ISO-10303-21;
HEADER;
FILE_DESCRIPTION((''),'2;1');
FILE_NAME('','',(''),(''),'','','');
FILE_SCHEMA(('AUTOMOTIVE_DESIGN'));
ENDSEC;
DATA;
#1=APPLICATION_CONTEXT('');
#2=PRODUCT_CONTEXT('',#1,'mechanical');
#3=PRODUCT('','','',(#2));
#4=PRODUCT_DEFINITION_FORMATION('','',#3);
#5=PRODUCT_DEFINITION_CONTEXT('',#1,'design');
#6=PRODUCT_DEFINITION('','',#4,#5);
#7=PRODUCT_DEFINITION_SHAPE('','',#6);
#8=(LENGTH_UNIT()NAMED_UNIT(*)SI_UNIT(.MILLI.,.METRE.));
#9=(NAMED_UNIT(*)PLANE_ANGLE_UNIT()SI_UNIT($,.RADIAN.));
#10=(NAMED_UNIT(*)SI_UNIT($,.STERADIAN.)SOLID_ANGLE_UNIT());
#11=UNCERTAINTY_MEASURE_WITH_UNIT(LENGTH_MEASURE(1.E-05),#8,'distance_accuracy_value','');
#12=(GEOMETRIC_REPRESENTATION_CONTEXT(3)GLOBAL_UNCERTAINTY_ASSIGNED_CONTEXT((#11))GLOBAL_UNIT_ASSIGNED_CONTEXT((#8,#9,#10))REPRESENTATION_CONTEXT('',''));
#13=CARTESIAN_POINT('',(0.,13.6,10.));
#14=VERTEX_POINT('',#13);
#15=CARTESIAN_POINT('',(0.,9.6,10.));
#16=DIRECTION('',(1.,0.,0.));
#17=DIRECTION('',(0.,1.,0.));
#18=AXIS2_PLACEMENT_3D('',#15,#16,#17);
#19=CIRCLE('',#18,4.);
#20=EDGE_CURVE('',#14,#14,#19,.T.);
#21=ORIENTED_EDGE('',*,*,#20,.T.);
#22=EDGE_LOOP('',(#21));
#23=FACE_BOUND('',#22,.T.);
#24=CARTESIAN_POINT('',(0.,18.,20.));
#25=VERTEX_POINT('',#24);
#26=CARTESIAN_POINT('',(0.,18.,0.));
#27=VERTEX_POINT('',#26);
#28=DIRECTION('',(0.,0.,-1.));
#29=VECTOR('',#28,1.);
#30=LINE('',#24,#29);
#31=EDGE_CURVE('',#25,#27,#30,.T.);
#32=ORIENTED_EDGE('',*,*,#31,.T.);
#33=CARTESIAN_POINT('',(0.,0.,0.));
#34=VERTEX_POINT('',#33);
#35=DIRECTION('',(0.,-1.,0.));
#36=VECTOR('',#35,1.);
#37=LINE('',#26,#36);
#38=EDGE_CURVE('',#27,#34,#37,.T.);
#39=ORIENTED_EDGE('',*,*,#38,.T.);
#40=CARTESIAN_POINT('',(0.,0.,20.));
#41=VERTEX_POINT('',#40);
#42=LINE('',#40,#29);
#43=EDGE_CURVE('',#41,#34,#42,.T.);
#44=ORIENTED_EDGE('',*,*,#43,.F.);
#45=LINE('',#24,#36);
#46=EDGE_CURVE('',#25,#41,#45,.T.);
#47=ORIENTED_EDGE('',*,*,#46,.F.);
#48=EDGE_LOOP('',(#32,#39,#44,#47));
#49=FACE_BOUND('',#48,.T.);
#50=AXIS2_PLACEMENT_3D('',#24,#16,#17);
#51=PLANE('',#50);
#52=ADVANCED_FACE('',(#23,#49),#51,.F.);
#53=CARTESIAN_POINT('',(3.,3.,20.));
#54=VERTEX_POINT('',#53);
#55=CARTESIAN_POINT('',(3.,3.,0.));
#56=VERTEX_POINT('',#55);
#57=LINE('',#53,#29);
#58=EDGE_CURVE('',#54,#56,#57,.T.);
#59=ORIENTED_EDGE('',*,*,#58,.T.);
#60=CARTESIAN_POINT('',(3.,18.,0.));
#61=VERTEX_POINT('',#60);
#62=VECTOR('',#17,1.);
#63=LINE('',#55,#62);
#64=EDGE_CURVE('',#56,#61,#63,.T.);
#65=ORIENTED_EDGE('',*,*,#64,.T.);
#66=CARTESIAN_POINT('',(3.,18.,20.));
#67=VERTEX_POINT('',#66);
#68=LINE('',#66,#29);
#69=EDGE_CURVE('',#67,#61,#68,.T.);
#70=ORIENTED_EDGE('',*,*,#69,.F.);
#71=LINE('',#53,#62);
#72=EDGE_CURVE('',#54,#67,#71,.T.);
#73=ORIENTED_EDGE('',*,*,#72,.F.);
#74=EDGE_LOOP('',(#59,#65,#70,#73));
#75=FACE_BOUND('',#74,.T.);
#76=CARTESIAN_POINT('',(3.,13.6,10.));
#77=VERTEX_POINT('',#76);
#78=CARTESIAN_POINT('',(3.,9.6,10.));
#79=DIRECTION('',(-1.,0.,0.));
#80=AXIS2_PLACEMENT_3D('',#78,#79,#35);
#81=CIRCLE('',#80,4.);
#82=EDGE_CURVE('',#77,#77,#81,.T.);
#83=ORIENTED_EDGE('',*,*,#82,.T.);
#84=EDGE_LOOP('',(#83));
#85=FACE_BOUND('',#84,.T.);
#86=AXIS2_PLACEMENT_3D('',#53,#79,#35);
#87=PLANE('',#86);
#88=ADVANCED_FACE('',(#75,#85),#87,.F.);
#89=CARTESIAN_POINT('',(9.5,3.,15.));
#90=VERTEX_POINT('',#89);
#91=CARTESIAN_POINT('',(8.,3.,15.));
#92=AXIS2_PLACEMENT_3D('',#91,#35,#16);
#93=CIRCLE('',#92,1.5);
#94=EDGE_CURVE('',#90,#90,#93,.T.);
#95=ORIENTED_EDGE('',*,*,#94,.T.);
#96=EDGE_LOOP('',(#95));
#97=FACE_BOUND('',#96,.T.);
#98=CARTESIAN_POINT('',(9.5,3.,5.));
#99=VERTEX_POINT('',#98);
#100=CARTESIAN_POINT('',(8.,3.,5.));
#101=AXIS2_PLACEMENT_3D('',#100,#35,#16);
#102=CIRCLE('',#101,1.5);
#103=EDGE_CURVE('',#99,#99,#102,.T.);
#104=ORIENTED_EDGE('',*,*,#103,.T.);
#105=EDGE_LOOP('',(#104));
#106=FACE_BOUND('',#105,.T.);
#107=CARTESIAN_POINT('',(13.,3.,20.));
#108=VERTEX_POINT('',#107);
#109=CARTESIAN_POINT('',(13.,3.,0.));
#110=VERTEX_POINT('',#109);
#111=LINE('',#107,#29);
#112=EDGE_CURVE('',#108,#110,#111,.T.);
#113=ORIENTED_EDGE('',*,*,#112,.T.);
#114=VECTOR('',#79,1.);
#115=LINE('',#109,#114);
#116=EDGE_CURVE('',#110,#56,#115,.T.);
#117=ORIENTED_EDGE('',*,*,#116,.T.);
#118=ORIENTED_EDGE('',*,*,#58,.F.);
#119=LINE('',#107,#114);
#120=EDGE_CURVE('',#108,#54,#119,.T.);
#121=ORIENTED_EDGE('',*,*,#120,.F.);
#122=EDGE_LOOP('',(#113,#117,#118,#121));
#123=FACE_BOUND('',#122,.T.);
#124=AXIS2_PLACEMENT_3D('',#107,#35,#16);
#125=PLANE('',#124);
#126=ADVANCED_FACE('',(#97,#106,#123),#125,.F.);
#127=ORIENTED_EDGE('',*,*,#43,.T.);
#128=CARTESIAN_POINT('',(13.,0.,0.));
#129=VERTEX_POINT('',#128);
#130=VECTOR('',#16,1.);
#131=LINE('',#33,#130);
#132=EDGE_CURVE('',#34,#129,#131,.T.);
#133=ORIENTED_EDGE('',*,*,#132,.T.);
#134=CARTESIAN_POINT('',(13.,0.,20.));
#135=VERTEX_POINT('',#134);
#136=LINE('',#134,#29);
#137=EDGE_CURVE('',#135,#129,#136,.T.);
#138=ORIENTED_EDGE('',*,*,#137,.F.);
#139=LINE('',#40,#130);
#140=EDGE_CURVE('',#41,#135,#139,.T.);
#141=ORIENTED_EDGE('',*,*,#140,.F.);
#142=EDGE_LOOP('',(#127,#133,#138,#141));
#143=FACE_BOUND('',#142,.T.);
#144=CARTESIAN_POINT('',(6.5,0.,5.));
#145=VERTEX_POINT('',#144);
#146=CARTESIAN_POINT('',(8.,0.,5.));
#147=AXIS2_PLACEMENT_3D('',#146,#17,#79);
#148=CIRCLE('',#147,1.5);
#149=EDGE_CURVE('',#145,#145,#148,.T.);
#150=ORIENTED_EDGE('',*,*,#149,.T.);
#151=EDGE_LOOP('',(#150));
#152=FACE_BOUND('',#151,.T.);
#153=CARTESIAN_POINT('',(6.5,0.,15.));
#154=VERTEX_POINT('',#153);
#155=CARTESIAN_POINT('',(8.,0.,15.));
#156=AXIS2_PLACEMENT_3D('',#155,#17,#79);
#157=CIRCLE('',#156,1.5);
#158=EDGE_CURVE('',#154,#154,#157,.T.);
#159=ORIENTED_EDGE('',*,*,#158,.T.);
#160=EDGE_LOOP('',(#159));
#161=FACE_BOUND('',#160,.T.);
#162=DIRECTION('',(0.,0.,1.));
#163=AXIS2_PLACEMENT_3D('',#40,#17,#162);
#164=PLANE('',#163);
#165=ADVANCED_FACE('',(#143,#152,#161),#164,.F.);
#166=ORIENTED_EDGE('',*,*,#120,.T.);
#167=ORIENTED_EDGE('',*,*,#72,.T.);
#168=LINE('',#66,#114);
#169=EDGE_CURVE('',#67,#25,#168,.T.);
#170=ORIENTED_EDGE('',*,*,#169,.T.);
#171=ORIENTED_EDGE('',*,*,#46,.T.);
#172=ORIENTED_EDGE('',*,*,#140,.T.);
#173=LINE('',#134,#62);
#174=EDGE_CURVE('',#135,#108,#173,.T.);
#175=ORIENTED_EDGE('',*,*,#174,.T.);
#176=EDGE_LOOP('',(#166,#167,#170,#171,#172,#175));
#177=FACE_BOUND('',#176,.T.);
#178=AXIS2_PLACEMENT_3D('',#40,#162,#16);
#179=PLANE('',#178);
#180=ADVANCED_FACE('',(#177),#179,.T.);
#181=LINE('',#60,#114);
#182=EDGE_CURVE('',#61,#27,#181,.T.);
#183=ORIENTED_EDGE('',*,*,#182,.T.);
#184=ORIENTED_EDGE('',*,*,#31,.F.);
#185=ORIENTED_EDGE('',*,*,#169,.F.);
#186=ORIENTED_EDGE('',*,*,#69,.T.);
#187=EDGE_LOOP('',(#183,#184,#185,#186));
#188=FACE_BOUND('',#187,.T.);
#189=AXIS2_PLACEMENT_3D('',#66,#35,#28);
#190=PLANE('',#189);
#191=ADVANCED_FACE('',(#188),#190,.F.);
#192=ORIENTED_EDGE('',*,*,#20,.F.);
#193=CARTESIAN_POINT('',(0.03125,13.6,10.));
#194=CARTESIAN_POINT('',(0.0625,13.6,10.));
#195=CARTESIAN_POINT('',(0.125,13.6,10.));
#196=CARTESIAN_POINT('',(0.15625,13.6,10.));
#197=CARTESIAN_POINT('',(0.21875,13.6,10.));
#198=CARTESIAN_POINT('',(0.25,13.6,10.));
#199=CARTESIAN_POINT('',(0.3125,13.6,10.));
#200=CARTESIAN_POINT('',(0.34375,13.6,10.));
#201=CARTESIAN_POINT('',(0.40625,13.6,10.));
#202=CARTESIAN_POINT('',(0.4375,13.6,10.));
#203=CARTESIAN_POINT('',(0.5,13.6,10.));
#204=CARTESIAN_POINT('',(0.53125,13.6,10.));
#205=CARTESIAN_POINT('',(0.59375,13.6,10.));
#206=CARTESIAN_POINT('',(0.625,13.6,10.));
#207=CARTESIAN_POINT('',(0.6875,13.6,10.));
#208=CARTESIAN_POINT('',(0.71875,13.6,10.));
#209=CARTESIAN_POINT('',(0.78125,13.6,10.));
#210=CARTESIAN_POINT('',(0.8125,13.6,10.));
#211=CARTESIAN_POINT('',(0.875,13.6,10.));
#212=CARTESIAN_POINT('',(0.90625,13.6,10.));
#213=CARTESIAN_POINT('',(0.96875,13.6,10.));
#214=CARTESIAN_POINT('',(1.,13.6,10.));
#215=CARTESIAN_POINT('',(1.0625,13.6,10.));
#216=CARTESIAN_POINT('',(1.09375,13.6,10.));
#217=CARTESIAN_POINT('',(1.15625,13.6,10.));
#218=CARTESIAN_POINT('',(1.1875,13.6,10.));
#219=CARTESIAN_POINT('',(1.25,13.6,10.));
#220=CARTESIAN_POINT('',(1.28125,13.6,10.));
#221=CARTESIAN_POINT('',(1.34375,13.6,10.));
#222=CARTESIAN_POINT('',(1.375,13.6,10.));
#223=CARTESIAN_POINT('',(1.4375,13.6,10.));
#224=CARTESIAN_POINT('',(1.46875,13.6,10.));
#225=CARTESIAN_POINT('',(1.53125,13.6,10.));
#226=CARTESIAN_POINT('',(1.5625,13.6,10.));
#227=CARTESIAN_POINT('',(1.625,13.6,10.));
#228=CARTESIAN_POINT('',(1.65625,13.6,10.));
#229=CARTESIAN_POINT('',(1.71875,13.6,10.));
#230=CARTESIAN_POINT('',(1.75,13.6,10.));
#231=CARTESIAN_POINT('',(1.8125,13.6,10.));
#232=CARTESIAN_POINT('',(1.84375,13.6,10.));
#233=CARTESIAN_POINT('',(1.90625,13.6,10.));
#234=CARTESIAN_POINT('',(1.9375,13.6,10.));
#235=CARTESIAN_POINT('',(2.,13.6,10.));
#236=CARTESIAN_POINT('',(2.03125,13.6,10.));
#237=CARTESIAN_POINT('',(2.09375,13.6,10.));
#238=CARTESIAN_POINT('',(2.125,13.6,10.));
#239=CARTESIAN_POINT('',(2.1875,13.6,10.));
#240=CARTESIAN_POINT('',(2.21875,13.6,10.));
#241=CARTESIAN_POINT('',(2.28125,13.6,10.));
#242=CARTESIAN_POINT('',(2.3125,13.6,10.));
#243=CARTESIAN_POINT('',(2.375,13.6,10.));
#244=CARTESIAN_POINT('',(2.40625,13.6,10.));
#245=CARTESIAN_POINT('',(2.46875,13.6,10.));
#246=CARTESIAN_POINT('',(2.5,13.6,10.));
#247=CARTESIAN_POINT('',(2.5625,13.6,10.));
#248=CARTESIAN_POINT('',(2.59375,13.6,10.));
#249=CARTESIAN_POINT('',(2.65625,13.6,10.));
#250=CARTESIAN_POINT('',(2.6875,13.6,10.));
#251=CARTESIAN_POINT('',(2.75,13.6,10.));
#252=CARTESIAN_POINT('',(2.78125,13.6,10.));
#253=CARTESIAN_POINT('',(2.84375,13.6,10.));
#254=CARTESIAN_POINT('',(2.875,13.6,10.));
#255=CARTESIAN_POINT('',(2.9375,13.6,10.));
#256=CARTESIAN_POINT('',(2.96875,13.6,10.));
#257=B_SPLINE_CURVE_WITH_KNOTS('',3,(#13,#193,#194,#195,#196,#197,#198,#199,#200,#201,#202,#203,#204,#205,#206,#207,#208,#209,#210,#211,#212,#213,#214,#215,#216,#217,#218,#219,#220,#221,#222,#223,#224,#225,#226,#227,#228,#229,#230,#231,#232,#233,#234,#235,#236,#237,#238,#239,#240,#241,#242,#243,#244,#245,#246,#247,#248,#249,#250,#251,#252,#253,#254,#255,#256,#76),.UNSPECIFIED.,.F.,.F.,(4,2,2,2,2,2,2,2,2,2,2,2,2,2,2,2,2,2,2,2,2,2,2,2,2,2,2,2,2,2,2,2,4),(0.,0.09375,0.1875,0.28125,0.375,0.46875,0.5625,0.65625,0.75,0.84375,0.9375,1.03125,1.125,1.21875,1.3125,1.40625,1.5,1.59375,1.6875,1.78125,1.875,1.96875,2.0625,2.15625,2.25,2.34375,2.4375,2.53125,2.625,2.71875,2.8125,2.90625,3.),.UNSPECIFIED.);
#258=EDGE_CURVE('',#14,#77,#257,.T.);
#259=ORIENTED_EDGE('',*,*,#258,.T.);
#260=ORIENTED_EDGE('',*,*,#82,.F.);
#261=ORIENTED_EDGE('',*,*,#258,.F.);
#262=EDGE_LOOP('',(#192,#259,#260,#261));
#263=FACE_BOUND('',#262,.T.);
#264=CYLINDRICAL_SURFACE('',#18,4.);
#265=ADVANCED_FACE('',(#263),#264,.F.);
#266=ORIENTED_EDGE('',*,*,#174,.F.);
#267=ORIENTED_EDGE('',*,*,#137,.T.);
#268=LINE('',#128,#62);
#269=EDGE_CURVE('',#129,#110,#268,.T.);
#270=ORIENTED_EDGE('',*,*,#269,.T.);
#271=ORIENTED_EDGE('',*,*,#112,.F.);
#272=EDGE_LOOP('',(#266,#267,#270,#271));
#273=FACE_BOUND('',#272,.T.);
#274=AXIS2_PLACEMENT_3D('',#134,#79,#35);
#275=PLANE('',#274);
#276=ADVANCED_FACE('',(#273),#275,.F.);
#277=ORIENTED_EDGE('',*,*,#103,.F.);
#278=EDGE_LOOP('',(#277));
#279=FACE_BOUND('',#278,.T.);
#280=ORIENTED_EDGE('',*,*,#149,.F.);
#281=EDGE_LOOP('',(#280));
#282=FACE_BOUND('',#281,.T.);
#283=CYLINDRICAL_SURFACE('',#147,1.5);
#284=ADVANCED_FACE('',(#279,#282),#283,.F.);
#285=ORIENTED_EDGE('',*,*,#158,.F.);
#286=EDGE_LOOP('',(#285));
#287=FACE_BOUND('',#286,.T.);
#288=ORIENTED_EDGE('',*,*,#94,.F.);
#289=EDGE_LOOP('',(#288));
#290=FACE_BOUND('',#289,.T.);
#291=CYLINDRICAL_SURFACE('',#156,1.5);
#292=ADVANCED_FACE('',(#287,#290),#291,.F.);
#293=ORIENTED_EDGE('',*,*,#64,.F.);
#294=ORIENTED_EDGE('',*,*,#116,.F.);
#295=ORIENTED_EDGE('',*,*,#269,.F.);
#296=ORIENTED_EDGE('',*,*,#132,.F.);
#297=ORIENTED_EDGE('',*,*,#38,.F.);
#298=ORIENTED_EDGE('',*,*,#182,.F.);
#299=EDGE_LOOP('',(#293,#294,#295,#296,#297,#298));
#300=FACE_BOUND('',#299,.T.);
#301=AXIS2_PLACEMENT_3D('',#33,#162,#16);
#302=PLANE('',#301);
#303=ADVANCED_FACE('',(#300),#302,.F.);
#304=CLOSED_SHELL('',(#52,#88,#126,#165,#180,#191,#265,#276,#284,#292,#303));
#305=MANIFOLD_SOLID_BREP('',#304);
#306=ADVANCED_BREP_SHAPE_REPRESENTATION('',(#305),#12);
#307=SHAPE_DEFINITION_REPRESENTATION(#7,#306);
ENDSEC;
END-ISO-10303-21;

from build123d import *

# Parameters (mm, degrees)
BOSS_EXTRU_1_DEPTH           = 20
ENL_V_MAT_EXTRU_1_DEPTH      = 29.705400189
ENL_V_MAT_EXTRU_1_DEPTH_BACK = 29.705400189
ESQUISSE2_R                  = 4
ENL_V_MAT_EXTRU_2_DEPTH      = 29.178005607
ENL_V_MAT_EXTRU_2_DEPTH_BACK = 29.178005607
ESQUISSE3_R                  = 1.5


with BuildPart() as part:
    # Esquisse1 → Boss.-Extru.1 (new body)
    with BuildSketch(Plane.XY):
        Polygon((0, 0), (13, 0), (13, 3), (3, 3), (3, 18), (0, 18), align=None)
    extrude(amount=BOSS_EXTRU_1_DEPTH)

    # Esquisse2 → Enlèv. mat.-Extru.1 (cut, two sides: drawn at the far end of the back side and taken through both)
    with BuildSketch(Plane(origin=(3, 0, 0), x_dir=(0, 0, -1), z_dir=(1, 0, 0)).offset(-ENL_V_MAT_EXTRU_1_DEPTH_BACK)):
        with Locations((-10, 9.6)):
            Circle(ESQUISSE2_R)
    extrude(amount=ENL_V_MAT_EXTRU_1_DEPTH + ENL_V_MAT_EXTRU_1_DEPTH_BACK, mode=Mode.SUBTRACT)

    # Esquisse3 → Enlèv. mat.-Extru.2 (cut, two sides: drawn at the far end of the back side and taken through both)
    with BuildSketch(Plane(origin=(0, 3, 0), x_dir=(1, 0, 0), z_dir=(0, 1, 0)).offset(-ENL_V_MAT_EXTRU_2_DEPTH_BACK)):
        with Locations((8, -5)):
            Circle(ESQUISSE3_R)
        with Locations((8, -15)):
            Circle(ESQUISSE3_R)
    extrude(amount=ENL_V_MAT_EXTRU_2_DEPTH + ENL_V_MAT_EXTRU_2_DEPTH_BACK, mode=Mode.SUBTRACT)


solid = part.part
